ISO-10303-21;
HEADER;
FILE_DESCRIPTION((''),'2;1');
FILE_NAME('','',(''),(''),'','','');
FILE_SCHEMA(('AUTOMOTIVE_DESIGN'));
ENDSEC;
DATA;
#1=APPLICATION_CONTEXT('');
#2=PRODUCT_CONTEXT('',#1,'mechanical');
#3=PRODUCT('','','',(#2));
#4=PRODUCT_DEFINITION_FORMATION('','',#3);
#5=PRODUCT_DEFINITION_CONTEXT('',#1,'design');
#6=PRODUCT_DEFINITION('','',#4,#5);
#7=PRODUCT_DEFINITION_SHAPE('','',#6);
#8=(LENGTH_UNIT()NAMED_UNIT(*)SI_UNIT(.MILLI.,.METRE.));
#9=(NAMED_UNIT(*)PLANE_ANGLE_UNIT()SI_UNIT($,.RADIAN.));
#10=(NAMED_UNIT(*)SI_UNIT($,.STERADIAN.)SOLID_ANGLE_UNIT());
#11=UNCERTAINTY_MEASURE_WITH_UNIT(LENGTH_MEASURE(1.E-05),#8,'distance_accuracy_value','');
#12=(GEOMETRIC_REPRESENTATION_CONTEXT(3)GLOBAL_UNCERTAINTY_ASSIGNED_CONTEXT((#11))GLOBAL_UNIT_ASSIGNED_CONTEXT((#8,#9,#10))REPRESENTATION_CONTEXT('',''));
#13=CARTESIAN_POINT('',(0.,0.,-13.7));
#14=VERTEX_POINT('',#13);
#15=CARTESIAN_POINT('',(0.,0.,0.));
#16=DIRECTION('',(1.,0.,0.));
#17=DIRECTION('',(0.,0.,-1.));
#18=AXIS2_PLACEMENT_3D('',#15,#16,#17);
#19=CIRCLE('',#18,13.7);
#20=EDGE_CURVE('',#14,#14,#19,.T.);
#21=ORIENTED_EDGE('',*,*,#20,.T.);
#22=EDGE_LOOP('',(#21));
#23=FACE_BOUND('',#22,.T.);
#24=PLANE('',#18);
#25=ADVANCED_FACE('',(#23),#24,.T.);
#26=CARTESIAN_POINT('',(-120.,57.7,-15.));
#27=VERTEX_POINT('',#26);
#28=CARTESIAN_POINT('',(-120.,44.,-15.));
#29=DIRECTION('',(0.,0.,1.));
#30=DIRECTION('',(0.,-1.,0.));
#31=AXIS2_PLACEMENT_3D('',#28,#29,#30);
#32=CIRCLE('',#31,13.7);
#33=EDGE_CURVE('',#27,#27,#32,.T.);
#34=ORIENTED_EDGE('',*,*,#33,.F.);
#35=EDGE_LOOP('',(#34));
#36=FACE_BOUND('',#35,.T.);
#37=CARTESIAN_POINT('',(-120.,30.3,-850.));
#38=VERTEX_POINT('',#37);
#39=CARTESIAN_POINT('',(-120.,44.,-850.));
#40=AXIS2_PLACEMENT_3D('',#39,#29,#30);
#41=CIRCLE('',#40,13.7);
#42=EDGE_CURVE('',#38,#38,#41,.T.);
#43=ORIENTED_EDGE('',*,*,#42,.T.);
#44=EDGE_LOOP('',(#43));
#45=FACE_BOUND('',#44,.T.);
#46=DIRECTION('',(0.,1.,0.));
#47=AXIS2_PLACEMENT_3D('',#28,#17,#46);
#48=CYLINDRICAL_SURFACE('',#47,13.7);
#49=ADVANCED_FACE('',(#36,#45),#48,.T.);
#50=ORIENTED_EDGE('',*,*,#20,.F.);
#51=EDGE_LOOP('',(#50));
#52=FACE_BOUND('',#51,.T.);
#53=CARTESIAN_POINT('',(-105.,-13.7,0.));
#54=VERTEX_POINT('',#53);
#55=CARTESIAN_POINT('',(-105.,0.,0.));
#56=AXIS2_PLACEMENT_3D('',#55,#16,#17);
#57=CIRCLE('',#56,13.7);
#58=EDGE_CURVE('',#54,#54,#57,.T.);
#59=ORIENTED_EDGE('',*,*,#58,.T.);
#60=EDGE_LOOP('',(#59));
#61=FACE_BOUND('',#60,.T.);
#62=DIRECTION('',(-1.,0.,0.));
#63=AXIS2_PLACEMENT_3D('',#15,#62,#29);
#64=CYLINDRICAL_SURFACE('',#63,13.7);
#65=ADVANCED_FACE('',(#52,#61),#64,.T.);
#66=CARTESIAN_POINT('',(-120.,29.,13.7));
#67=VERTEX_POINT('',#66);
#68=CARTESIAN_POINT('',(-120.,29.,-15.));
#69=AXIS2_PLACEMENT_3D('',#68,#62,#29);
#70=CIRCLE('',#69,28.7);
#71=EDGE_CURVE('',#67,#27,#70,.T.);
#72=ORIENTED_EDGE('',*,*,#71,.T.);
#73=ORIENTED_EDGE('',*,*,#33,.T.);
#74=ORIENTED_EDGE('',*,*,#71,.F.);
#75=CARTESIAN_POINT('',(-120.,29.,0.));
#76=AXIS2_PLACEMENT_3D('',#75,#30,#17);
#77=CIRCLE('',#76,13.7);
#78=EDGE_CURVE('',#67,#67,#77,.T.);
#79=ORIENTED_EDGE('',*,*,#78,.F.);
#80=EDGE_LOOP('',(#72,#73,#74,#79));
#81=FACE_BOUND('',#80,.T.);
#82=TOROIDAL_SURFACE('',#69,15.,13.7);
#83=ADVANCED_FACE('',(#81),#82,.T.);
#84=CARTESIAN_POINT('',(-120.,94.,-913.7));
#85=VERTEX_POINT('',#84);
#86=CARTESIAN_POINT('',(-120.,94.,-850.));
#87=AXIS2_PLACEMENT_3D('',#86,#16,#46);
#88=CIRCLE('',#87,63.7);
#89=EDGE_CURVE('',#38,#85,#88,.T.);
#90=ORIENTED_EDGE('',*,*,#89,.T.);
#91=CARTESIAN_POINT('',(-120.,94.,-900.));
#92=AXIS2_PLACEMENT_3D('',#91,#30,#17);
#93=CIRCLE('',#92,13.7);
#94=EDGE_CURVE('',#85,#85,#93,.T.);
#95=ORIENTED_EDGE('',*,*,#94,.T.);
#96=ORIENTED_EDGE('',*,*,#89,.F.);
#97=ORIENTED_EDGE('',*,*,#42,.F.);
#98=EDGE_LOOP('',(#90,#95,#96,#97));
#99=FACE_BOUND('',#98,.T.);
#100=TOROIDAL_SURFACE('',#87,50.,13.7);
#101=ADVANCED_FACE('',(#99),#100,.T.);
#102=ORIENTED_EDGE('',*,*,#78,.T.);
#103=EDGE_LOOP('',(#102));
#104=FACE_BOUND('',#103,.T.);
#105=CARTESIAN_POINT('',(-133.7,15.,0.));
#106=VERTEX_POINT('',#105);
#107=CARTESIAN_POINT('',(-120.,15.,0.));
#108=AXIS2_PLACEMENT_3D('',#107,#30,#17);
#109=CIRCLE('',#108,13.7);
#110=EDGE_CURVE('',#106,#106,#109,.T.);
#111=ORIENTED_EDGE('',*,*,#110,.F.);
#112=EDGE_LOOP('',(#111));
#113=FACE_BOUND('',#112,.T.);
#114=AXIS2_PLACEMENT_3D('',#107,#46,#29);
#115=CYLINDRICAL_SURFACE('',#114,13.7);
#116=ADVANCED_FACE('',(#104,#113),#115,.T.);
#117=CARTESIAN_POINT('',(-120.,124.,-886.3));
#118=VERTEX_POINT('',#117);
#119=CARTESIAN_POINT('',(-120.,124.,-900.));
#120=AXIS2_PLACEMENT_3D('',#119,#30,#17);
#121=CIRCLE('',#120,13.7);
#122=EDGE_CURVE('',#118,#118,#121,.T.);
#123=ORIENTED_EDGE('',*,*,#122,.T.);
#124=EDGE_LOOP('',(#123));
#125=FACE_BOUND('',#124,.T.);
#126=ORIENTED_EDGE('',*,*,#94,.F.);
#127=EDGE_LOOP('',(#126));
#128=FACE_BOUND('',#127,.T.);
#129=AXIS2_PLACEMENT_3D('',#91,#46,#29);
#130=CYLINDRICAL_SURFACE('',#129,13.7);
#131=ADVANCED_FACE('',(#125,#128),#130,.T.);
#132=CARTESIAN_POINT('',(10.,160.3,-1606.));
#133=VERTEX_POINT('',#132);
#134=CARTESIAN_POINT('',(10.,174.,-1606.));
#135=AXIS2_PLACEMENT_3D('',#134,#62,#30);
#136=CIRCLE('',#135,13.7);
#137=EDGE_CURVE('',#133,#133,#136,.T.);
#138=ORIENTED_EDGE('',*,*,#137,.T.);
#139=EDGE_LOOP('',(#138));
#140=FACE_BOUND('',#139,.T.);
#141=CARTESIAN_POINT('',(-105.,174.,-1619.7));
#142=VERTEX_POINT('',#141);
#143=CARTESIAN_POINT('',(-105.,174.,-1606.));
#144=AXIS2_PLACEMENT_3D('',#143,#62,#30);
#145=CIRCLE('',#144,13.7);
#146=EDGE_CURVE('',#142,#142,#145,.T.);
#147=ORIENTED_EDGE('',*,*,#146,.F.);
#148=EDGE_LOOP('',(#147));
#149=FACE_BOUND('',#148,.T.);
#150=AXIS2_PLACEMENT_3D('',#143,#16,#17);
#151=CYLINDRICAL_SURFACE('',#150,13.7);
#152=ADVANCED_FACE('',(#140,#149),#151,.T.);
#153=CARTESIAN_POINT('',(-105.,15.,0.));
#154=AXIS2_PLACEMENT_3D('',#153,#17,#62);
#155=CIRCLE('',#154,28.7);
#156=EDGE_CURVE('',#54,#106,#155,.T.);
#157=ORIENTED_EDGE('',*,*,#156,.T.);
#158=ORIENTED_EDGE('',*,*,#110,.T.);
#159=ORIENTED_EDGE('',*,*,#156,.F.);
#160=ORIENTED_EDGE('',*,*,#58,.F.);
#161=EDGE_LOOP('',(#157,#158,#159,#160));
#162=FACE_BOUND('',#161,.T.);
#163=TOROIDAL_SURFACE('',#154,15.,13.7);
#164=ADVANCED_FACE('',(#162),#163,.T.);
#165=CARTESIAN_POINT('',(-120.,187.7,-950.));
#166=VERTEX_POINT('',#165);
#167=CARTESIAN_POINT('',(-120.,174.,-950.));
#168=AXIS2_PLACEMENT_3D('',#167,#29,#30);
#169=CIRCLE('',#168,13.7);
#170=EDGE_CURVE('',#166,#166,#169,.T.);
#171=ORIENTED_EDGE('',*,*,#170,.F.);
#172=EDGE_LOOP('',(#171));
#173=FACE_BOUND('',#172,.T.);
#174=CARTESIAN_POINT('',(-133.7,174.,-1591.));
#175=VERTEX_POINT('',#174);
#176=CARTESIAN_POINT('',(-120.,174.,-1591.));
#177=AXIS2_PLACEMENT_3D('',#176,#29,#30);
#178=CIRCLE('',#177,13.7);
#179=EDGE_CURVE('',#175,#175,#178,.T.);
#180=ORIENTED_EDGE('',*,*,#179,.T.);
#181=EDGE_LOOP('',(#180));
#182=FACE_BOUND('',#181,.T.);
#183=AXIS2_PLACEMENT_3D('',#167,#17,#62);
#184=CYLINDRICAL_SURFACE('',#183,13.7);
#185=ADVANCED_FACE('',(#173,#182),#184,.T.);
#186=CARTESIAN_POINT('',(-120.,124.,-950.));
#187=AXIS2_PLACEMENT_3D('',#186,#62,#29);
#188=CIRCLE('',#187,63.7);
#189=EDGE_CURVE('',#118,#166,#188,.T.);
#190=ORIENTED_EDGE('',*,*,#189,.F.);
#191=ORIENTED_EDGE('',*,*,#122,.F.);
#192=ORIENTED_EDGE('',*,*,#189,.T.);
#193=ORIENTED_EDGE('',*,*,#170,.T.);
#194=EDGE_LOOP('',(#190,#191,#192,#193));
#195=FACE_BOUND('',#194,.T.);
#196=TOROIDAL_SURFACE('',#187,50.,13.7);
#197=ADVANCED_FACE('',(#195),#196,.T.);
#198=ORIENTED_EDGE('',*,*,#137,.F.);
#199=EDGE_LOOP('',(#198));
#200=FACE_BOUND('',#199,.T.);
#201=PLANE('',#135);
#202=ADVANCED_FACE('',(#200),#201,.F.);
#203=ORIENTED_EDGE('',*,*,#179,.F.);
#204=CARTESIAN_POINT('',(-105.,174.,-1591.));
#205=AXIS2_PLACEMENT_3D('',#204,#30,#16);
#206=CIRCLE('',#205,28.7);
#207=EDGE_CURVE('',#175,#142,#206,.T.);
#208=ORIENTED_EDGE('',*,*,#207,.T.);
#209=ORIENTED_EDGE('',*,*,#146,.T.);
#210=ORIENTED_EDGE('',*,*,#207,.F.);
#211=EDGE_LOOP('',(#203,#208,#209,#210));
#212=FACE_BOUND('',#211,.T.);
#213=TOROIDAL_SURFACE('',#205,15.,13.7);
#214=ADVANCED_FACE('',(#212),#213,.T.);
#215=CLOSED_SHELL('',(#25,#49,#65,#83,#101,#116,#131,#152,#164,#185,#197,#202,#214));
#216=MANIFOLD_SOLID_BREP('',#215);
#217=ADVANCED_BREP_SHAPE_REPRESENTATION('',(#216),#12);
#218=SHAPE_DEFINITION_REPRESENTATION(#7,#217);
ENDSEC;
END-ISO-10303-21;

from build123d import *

# Parameters (mm, degrees)
CROQUIS1_R = 13.7


with BuildPart() as part:
    # Barrer1: sweep along a curve in space
    with BuildLine() as barrer1_path:
        Line((0, 0, 0), (-105, 0, 0))
        ThreePointArc((-105, 0, 0), (-115.606601718, 4.393398282, 0), (-120, 15, 0))
        Line((-120, 15, 0), (-120, 29, 0))
        ThreePointArc((-120, 44, -15), (-120, 39.606601718, -4.393398282), (-120, 29, 0))
        Line((-120, 44, -15), (-120, 44, -850))
        ThreePointArc((-120, 94, -900), (-120, 58.644660941, -885.355339059), (-120, 44, -850))
        Line((-120, 124, -900), (-120, 94, -900))
        ThreePointArc((-120, 124, -900), (-120, 159.355339059, -914.644660941), (-120, 174, -950))
        Line((-120, 174, -950), (-120, 174, -1591))
        ThreePointArc((-120, 174, -1591), (-115.606601718, 174, -1601.606601718), (-105, 174, -1606))
        Line((-105, 174, -1606), (10, 174, -1606))
    # Croquis1 → Barrer1 (sweep)
    with BuildSketch(Plane(origin=(0, 0, 0), x_dir=(0, 0, -1), z_dir=(1, 0, 0))):
        Circle(CROQUIS1_R)
    sweep(path=barrer1_path.line)


solid = part.part
